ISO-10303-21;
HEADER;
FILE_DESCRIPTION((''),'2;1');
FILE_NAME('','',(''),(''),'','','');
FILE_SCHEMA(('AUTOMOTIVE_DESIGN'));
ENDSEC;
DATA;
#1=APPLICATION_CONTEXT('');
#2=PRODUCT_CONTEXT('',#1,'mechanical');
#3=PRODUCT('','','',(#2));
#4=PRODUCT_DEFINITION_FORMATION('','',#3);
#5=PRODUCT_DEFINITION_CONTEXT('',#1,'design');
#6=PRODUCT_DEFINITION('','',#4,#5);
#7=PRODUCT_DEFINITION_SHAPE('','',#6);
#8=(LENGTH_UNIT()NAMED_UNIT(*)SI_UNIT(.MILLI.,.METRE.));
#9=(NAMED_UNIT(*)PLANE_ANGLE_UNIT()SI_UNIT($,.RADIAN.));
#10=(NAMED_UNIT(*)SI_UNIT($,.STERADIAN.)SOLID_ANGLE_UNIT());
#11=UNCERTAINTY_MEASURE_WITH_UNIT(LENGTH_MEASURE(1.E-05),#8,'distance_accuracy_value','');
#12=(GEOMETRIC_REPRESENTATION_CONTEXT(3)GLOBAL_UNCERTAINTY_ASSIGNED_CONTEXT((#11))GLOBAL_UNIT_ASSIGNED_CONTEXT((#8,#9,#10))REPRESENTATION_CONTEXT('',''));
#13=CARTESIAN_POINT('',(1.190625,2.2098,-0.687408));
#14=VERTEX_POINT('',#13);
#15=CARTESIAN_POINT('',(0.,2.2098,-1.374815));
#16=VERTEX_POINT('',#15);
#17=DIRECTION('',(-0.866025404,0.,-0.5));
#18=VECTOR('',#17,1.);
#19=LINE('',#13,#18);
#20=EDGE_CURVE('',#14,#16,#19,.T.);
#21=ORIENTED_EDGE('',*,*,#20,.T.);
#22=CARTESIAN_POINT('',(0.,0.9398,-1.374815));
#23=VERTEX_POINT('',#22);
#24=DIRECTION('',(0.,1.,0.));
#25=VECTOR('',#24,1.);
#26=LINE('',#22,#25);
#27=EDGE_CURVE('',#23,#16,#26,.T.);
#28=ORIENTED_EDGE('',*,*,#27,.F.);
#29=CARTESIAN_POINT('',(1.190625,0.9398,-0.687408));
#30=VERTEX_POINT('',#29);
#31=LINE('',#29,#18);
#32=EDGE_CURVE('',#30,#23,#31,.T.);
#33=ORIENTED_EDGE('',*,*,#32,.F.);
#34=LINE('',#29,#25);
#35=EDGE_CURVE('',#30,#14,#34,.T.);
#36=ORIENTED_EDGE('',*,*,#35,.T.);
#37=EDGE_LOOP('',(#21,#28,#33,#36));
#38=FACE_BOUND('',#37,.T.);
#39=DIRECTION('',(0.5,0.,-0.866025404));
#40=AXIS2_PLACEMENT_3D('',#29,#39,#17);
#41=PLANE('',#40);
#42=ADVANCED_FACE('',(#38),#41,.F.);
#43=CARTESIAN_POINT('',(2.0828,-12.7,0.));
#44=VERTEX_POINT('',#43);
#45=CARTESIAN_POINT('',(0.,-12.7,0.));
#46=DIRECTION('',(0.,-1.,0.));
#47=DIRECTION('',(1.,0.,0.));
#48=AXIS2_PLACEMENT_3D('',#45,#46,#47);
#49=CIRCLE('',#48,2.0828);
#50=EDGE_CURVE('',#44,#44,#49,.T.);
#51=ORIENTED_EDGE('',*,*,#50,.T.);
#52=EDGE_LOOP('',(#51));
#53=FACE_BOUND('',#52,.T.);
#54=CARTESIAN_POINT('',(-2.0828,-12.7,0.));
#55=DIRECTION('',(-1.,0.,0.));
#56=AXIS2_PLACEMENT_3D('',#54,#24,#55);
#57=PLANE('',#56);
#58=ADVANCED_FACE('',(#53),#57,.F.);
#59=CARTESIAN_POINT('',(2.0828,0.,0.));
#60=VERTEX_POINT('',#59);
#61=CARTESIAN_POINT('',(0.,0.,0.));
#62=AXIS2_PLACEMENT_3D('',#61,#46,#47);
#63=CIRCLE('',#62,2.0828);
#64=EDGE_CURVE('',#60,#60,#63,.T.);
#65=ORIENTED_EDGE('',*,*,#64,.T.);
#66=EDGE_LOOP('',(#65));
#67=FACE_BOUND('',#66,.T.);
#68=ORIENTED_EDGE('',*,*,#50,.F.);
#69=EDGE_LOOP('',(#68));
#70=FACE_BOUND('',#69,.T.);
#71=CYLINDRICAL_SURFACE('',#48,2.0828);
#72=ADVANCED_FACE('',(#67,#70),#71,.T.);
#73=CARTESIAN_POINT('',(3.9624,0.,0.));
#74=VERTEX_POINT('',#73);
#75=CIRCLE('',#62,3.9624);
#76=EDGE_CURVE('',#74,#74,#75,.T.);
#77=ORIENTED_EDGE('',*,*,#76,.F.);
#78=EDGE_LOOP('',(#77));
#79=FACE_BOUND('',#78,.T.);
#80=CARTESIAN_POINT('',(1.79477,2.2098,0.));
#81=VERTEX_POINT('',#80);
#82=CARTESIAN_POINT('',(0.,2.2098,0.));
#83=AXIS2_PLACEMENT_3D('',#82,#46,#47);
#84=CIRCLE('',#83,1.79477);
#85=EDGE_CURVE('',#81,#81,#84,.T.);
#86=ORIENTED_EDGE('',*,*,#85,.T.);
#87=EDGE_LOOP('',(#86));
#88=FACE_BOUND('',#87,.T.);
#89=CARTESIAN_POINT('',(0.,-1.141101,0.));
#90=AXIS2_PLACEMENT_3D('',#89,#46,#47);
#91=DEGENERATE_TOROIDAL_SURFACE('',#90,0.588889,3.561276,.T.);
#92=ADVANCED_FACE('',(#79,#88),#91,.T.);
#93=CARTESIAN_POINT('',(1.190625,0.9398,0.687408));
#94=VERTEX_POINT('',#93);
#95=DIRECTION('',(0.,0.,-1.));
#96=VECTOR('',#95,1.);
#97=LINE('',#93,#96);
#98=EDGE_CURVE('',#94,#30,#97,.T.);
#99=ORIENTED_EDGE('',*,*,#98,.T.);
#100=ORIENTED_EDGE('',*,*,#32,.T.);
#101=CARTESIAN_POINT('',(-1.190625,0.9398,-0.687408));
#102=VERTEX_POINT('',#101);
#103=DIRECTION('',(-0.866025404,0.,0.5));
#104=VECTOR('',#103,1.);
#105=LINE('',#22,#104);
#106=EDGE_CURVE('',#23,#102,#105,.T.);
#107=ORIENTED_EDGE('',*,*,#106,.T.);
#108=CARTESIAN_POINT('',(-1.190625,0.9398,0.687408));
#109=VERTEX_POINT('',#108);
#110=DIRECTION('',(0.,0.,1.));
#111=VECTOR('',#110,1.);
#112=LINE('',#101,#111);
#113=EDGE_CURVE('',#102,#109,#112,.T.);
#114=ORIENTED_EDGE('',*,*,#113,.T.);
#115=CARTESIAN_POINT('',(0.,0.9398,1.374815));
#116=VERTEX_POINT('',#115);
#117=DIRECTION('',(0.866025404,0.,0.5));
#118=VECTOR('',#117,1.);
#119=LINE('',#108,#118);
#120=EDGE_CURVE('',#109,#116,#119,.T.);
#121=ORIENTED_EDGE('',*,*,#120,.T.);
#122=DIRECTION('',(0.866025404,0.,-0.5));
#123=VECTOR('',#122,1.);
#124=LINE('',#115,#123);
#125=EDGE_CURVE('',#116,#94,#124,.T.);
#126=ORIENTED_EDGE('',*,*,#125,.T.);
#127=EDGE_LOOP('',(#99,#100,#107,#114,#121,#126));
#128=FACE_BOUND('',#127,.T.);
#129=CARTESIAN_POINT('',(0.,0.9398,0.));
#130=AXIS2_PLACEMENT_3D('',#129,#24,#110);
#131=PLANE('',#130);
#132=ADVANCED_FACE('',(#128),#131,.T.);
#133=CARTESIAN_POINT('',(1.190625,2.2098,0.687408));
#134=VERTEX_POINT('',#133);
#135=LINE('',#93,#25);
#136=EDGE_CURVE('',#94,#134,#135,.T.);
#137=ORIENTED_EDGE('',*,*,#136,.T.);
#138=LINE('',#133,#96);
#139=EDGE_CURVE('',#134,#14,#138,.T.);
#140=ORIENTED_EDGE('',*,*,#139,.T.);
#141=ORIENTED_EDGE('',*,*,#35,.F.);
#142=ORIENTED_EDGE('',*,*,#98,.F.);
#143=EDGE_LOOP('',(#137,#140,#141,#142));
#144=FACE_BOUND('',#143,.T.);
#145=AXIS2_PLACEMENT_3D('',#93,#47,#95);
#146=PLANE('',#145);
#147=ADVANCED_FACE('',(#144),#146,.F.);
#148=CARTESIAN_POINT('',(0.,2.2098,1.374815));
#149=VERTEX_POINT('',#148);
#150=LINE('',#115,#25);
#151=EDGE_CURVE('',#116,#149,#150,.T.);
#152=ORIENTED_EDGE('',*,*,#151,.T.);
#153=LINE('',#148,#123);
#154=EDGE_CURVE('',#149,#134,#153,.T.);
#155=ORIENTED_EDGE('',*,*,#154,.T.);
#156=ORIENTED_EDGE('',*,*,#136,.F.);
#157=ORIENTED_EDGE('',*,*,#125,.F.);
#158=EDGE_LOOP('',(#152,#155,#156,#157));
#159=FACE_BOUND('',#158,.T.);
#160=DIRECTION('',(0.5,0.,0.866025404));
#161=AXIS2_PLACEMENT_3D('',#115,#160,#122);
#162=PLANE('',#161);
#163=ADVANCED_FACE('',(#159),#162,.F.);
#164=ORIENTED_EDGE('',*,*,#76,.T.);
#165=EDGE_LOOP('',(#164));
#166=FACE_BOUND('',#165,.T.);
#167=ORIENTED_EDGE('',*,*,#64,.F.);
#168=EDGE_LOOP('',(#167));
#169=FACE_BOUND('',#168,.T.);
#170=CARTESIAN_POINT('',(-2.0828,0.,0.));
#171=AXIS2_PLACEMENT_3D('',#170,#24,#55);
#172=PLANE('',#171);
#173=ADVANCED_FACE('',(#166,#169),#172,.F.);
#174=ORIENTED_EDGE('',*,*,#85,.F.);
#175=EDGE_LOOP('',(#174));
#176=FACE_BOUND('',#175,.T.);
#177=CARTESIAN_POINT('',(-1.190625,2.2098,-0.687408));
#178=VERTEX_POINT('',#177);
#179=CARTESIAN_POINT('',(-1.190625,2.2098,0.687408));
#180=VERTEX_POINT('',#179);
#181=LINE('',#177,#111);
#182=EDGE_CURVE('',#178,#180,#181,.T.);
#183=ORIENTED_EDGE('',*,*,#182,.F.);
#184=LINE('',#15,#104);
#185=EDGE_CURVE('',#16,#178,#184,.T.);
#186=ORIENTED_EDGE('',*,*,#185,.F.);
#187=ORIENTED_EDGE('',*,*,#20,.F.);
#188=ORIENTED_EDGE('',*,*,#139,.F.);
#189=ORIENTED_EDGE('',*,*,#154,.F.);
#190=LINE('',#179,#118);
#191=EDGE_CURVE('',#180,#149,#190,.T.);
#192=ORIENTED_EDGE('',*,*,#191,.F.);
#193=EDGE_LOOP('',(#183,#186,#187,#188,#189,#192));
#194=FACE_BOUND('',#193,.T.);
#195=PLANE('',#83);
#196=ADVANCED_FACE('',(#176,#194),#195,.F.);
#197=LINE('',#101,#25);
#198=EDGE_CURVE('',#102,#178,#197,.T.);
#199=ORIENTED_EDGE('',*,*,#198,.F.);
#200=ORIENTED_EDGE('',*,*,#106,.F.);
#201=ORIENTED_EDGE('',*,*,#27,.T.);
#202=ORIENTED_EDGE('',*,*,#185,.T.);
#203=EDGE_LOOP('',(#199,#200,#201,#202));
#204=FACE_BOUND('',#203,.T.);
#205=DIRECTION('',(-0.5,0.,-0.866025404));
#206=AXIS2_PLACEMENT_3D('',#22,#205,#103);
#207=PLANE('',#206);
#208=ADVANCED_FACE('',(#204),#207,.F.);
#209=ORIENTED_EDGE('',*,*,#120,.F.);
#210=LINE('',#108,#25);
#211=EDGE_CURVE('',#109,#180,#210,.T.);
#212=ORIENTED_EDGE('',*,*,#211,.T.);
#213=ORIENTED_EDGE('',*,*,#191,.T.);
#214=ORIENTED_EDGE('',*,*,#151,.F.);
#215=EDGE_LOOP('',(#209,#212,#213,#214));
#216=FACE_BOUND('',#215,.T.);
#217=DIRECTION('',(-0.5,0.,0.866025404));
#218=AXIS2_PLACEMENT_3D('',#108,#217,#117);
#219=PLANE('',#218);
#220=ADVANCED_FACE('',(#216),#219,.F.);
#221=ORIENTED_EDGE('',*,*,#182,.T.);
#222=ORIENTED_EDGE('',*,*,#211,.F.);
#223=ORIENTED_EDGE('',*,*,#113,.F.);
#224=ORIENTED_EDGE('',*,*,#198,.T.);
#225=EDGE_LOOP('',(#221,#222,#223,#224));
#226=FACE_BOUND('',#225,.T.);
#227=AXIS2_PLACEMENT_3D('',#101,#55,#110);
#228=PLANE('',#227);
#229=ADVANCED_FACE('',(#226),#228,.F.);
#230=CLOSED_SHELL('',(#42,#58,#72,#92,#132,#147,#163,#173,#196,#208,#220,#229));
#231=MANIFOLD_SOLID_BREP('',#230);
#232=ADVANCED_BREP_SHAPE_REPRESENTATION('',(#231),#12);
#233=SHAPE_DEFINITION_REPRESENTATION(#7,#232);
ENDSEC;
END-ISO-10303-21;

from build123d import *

# Parameters (mm, degrees)
CUT_EXTRUDE1_DEPTH = 1.27


with BuildPart() as part:
    # Sketch1 → Revolve1 (revolve)
    with BuildSketch(Plane.XY):
        with BuildLine():
            Line((-2.0828, 0), (-3.9624, 0))
            ThreePointArc((-3.9624, 0), (-3.131232795, 1.352726455), (-1.79477003, 2.2098))
            Line((-1.79477003, 2.2098), (0, 2.2098))
            Line((0, 2.2098), (0, -12.7))
            Line((0, -12.7), (-2.0828, -12.7))
            Line((-2.0828, -12.7), (-2.0828, 0))
        make_face()
    revolve(axis=Axis((0, -12.7, 0), (0, 1, 0)))

    # Sketch2 → Cut-Extrude1 (cut)
    with BuildSketch(Plane(origin=(0, 2.2098, 0), x_dir=(1, 0, 0), z_dir=(0, 1, 0))):
        Polygon((-1.190625, 0.687407664), (-1.190625, -0.687407664), (0, -1.374815329), (1.190625, -0.687407664), (1.190625, 0.687407664), (0, 1.374815329), align=None)
    extrude(amount=-CUT_EXTRUDE1_DEPTH, mode=Mode.SUBTRACT)


solid = part.part
